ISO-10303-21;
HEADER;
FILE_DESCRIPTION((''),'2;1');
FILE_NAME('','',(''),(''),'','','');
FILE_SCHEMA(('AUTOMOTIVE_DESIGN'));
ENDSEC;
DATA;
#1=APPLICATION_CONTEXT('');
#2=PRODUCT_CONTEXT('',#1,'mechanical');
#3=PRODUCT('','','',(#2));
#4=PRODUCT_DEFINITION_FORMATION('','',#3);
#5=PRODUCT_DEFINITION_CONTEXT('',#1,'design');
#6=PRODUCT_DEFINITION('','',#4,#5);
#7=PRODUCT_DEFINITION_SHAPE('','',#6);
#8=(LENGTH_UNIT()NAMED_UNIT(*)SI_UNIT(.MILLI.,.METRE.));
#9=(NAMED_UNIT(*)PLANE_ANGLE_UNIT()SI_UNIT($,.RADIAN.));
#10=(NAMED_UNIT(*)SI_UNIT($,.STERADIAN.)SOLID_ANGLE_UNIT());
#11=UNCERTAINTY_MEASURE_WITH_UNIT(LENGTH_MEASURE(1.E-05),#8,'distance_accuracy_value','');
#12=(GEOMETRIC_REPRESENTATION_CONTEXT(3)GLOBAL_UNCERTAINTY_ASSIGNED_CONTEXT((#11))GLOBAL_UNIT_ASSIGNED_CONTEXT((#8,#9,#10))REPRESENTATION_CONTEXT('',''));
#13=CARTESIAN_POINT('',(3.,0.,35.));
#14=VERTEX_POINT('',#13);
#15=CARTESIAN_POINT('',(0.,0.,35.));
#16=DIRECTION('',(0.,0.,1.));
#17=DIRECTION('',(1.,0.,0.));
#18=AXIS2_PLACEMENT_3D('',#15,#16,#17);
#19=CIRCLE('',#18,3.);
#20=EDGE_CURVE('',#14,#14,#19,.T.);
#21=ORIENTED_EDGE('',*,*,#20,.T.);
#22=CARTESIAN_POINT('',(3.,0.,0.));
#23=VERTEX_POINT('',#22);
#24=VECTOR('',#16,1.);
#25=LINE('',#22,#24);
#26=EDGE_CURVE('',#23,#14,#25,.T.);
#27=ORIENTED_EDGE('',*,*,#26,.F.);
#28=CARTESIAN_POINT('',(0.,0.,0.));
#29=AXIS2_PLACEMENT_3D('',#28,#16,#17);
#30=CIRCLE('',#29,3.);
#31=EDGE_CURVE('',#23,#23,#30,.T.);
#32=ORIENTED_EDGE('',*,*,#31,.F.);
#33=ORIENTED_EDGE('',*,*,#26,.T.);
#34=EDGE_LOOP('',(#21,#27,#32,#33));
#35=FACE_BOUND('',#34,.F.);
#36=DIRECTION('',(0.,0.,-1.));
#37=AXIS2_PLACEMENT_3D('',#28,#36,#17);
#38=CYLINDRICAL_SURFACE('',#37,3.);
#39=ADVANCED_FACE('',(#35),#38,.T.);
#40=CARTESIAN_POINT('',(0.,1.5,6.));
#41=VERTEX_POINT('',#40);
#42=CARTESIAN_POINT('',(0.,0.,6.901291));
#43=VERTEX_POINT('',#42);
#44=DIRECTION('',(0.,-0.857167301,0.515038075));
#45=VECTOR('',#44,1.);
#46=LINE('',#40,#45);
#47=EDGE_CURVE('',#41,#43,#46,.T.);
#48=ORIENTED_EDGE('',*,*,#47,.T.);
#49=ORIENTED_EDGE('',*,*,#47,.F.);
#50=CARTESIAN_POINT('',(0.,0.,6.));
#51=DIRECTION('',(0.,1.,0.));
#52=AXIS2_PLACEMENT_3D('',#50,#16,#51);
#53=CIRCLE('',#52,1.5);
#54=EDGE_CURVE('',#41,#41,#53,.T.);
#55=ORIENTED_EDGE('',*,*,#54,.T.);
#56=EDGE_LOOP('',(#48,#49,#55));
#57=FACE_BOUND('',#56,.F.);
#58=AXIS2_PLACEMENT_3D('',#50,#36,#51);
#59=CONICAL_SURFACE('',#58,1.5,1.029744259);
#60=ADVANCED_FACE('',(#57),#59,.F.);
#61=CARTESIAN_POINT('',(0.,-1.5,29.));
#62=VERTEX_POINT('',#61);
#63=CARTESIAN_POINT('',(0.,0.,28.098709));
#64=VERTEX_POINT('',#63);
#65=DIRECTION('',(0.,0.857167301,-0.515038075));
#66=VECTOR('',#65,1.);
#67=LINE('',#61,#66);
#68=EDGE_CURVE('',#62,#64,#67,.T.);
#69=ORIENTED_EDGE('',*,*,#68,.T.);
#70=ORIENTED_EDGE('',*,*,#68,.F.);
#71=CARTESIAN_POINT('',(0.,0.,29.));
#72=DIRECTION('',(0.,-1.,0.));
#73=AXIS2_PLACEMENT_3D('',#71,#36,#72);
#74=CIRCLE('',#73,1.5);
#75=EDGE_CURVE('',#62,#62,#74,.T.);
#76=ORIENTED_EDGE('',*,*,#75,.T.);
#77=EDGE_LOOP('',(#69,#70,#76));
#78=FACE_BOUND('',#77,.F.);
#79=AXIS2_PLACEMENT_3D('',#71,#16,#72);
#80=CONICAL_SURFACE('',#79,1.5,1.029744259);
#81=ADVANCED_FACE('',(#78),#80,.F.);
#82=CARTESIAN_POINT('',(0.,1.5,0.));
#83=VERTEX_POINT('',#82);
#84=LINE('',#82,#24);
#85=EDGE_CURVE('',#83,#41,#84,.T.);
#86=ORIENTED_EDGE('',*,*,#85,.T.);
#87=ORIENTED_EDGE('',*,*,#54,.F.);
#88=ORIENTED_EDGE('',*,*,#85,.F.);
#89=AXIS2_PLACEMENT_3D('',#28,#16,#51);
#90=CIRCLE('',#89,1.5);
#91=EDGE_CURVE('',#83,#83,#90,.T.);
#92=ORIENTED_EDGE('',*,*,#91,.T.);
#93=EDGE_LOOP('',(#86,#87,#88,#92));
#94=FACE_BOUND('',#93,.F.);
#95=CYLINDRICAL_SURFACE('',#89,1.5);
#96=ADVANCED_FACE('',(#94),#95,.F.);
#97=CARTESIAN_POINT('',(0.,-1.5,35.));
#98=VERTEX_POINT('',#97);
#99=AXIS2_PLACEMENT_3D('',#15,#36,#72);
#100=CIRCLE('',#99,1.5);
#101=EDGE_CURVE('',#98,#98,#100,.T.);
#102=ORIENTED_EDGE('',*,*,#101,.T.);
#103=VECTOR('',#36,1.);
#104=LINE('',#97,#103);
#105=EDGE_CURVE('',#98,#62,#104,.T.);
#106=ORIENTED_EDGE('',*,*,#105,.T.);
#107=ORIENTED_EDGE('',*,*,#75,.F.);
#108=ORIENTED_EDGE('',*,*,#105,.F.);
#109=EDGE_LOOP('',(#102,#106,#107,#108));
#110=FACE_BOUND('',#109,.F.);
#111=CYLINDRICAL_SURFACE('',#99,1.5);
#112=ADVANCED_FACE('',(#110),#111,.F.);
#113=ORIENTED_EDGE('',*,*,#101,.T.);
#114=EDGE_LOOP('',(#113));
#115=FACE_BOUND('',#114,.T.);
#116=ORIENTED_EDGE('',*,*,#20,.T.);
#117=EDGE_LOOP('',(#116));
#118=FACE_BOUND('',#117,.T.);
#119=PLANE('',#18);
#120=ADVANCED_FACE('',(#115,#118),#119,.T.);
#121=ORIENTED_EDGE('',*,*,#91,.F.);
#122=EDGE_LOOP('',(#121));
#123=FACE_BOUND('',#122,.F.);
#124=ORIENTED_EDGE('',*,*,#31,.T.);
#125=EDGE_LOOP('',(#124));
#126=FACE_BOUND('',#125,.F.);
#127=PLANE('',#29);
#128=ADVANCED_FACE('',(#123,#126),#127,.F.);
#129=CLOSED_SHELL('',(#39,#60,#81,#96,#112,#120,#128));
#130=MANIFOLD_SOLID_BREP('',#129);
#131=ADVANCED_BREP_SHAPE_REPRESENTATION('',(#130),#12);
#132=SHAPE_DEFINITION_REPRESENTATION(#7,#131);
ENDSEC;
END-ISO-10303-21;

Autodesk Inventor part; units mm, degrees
ref_plane "YZ Plane" through (0, 0, 0) normal (1, 0, 0) x (0, 1, 0)
ref_plane "XZ Plane" through (0, 0, 0) normal (0, 1, 0) x (-1, 0, 0)
ref_plane "XY Plane" through (0, 0, 0) normal (0, 0, 1) x (1, 0, 0)
sketch "スケッチ1" plane through (0, 0, 0) normal (0, 0, 1) x (1, 0, 0)
  circle A0 centre (0, 0) radius 3
  dimension "d0" = 6
extrude "押し出し1" add sketch "スケッチ1" along normal blind 35
hole "穴1" at (0, 0, 0) direction (0, 0, 1) diameter 3 depth 6 tip angle 118
sketch "スケッチ2" plane through (0, 0, 35) normal (0, 0, 1) x (1, 0, 0)
  circle A0 centre (0, 0) radius 3 projected
hole "穴2" at (0, 0, 35) direction (0, 0, -1) diameter 3 depth 6 tip angle 118
properties part number "スペーサ　l35" material "アルミニウム 2014-T4"
